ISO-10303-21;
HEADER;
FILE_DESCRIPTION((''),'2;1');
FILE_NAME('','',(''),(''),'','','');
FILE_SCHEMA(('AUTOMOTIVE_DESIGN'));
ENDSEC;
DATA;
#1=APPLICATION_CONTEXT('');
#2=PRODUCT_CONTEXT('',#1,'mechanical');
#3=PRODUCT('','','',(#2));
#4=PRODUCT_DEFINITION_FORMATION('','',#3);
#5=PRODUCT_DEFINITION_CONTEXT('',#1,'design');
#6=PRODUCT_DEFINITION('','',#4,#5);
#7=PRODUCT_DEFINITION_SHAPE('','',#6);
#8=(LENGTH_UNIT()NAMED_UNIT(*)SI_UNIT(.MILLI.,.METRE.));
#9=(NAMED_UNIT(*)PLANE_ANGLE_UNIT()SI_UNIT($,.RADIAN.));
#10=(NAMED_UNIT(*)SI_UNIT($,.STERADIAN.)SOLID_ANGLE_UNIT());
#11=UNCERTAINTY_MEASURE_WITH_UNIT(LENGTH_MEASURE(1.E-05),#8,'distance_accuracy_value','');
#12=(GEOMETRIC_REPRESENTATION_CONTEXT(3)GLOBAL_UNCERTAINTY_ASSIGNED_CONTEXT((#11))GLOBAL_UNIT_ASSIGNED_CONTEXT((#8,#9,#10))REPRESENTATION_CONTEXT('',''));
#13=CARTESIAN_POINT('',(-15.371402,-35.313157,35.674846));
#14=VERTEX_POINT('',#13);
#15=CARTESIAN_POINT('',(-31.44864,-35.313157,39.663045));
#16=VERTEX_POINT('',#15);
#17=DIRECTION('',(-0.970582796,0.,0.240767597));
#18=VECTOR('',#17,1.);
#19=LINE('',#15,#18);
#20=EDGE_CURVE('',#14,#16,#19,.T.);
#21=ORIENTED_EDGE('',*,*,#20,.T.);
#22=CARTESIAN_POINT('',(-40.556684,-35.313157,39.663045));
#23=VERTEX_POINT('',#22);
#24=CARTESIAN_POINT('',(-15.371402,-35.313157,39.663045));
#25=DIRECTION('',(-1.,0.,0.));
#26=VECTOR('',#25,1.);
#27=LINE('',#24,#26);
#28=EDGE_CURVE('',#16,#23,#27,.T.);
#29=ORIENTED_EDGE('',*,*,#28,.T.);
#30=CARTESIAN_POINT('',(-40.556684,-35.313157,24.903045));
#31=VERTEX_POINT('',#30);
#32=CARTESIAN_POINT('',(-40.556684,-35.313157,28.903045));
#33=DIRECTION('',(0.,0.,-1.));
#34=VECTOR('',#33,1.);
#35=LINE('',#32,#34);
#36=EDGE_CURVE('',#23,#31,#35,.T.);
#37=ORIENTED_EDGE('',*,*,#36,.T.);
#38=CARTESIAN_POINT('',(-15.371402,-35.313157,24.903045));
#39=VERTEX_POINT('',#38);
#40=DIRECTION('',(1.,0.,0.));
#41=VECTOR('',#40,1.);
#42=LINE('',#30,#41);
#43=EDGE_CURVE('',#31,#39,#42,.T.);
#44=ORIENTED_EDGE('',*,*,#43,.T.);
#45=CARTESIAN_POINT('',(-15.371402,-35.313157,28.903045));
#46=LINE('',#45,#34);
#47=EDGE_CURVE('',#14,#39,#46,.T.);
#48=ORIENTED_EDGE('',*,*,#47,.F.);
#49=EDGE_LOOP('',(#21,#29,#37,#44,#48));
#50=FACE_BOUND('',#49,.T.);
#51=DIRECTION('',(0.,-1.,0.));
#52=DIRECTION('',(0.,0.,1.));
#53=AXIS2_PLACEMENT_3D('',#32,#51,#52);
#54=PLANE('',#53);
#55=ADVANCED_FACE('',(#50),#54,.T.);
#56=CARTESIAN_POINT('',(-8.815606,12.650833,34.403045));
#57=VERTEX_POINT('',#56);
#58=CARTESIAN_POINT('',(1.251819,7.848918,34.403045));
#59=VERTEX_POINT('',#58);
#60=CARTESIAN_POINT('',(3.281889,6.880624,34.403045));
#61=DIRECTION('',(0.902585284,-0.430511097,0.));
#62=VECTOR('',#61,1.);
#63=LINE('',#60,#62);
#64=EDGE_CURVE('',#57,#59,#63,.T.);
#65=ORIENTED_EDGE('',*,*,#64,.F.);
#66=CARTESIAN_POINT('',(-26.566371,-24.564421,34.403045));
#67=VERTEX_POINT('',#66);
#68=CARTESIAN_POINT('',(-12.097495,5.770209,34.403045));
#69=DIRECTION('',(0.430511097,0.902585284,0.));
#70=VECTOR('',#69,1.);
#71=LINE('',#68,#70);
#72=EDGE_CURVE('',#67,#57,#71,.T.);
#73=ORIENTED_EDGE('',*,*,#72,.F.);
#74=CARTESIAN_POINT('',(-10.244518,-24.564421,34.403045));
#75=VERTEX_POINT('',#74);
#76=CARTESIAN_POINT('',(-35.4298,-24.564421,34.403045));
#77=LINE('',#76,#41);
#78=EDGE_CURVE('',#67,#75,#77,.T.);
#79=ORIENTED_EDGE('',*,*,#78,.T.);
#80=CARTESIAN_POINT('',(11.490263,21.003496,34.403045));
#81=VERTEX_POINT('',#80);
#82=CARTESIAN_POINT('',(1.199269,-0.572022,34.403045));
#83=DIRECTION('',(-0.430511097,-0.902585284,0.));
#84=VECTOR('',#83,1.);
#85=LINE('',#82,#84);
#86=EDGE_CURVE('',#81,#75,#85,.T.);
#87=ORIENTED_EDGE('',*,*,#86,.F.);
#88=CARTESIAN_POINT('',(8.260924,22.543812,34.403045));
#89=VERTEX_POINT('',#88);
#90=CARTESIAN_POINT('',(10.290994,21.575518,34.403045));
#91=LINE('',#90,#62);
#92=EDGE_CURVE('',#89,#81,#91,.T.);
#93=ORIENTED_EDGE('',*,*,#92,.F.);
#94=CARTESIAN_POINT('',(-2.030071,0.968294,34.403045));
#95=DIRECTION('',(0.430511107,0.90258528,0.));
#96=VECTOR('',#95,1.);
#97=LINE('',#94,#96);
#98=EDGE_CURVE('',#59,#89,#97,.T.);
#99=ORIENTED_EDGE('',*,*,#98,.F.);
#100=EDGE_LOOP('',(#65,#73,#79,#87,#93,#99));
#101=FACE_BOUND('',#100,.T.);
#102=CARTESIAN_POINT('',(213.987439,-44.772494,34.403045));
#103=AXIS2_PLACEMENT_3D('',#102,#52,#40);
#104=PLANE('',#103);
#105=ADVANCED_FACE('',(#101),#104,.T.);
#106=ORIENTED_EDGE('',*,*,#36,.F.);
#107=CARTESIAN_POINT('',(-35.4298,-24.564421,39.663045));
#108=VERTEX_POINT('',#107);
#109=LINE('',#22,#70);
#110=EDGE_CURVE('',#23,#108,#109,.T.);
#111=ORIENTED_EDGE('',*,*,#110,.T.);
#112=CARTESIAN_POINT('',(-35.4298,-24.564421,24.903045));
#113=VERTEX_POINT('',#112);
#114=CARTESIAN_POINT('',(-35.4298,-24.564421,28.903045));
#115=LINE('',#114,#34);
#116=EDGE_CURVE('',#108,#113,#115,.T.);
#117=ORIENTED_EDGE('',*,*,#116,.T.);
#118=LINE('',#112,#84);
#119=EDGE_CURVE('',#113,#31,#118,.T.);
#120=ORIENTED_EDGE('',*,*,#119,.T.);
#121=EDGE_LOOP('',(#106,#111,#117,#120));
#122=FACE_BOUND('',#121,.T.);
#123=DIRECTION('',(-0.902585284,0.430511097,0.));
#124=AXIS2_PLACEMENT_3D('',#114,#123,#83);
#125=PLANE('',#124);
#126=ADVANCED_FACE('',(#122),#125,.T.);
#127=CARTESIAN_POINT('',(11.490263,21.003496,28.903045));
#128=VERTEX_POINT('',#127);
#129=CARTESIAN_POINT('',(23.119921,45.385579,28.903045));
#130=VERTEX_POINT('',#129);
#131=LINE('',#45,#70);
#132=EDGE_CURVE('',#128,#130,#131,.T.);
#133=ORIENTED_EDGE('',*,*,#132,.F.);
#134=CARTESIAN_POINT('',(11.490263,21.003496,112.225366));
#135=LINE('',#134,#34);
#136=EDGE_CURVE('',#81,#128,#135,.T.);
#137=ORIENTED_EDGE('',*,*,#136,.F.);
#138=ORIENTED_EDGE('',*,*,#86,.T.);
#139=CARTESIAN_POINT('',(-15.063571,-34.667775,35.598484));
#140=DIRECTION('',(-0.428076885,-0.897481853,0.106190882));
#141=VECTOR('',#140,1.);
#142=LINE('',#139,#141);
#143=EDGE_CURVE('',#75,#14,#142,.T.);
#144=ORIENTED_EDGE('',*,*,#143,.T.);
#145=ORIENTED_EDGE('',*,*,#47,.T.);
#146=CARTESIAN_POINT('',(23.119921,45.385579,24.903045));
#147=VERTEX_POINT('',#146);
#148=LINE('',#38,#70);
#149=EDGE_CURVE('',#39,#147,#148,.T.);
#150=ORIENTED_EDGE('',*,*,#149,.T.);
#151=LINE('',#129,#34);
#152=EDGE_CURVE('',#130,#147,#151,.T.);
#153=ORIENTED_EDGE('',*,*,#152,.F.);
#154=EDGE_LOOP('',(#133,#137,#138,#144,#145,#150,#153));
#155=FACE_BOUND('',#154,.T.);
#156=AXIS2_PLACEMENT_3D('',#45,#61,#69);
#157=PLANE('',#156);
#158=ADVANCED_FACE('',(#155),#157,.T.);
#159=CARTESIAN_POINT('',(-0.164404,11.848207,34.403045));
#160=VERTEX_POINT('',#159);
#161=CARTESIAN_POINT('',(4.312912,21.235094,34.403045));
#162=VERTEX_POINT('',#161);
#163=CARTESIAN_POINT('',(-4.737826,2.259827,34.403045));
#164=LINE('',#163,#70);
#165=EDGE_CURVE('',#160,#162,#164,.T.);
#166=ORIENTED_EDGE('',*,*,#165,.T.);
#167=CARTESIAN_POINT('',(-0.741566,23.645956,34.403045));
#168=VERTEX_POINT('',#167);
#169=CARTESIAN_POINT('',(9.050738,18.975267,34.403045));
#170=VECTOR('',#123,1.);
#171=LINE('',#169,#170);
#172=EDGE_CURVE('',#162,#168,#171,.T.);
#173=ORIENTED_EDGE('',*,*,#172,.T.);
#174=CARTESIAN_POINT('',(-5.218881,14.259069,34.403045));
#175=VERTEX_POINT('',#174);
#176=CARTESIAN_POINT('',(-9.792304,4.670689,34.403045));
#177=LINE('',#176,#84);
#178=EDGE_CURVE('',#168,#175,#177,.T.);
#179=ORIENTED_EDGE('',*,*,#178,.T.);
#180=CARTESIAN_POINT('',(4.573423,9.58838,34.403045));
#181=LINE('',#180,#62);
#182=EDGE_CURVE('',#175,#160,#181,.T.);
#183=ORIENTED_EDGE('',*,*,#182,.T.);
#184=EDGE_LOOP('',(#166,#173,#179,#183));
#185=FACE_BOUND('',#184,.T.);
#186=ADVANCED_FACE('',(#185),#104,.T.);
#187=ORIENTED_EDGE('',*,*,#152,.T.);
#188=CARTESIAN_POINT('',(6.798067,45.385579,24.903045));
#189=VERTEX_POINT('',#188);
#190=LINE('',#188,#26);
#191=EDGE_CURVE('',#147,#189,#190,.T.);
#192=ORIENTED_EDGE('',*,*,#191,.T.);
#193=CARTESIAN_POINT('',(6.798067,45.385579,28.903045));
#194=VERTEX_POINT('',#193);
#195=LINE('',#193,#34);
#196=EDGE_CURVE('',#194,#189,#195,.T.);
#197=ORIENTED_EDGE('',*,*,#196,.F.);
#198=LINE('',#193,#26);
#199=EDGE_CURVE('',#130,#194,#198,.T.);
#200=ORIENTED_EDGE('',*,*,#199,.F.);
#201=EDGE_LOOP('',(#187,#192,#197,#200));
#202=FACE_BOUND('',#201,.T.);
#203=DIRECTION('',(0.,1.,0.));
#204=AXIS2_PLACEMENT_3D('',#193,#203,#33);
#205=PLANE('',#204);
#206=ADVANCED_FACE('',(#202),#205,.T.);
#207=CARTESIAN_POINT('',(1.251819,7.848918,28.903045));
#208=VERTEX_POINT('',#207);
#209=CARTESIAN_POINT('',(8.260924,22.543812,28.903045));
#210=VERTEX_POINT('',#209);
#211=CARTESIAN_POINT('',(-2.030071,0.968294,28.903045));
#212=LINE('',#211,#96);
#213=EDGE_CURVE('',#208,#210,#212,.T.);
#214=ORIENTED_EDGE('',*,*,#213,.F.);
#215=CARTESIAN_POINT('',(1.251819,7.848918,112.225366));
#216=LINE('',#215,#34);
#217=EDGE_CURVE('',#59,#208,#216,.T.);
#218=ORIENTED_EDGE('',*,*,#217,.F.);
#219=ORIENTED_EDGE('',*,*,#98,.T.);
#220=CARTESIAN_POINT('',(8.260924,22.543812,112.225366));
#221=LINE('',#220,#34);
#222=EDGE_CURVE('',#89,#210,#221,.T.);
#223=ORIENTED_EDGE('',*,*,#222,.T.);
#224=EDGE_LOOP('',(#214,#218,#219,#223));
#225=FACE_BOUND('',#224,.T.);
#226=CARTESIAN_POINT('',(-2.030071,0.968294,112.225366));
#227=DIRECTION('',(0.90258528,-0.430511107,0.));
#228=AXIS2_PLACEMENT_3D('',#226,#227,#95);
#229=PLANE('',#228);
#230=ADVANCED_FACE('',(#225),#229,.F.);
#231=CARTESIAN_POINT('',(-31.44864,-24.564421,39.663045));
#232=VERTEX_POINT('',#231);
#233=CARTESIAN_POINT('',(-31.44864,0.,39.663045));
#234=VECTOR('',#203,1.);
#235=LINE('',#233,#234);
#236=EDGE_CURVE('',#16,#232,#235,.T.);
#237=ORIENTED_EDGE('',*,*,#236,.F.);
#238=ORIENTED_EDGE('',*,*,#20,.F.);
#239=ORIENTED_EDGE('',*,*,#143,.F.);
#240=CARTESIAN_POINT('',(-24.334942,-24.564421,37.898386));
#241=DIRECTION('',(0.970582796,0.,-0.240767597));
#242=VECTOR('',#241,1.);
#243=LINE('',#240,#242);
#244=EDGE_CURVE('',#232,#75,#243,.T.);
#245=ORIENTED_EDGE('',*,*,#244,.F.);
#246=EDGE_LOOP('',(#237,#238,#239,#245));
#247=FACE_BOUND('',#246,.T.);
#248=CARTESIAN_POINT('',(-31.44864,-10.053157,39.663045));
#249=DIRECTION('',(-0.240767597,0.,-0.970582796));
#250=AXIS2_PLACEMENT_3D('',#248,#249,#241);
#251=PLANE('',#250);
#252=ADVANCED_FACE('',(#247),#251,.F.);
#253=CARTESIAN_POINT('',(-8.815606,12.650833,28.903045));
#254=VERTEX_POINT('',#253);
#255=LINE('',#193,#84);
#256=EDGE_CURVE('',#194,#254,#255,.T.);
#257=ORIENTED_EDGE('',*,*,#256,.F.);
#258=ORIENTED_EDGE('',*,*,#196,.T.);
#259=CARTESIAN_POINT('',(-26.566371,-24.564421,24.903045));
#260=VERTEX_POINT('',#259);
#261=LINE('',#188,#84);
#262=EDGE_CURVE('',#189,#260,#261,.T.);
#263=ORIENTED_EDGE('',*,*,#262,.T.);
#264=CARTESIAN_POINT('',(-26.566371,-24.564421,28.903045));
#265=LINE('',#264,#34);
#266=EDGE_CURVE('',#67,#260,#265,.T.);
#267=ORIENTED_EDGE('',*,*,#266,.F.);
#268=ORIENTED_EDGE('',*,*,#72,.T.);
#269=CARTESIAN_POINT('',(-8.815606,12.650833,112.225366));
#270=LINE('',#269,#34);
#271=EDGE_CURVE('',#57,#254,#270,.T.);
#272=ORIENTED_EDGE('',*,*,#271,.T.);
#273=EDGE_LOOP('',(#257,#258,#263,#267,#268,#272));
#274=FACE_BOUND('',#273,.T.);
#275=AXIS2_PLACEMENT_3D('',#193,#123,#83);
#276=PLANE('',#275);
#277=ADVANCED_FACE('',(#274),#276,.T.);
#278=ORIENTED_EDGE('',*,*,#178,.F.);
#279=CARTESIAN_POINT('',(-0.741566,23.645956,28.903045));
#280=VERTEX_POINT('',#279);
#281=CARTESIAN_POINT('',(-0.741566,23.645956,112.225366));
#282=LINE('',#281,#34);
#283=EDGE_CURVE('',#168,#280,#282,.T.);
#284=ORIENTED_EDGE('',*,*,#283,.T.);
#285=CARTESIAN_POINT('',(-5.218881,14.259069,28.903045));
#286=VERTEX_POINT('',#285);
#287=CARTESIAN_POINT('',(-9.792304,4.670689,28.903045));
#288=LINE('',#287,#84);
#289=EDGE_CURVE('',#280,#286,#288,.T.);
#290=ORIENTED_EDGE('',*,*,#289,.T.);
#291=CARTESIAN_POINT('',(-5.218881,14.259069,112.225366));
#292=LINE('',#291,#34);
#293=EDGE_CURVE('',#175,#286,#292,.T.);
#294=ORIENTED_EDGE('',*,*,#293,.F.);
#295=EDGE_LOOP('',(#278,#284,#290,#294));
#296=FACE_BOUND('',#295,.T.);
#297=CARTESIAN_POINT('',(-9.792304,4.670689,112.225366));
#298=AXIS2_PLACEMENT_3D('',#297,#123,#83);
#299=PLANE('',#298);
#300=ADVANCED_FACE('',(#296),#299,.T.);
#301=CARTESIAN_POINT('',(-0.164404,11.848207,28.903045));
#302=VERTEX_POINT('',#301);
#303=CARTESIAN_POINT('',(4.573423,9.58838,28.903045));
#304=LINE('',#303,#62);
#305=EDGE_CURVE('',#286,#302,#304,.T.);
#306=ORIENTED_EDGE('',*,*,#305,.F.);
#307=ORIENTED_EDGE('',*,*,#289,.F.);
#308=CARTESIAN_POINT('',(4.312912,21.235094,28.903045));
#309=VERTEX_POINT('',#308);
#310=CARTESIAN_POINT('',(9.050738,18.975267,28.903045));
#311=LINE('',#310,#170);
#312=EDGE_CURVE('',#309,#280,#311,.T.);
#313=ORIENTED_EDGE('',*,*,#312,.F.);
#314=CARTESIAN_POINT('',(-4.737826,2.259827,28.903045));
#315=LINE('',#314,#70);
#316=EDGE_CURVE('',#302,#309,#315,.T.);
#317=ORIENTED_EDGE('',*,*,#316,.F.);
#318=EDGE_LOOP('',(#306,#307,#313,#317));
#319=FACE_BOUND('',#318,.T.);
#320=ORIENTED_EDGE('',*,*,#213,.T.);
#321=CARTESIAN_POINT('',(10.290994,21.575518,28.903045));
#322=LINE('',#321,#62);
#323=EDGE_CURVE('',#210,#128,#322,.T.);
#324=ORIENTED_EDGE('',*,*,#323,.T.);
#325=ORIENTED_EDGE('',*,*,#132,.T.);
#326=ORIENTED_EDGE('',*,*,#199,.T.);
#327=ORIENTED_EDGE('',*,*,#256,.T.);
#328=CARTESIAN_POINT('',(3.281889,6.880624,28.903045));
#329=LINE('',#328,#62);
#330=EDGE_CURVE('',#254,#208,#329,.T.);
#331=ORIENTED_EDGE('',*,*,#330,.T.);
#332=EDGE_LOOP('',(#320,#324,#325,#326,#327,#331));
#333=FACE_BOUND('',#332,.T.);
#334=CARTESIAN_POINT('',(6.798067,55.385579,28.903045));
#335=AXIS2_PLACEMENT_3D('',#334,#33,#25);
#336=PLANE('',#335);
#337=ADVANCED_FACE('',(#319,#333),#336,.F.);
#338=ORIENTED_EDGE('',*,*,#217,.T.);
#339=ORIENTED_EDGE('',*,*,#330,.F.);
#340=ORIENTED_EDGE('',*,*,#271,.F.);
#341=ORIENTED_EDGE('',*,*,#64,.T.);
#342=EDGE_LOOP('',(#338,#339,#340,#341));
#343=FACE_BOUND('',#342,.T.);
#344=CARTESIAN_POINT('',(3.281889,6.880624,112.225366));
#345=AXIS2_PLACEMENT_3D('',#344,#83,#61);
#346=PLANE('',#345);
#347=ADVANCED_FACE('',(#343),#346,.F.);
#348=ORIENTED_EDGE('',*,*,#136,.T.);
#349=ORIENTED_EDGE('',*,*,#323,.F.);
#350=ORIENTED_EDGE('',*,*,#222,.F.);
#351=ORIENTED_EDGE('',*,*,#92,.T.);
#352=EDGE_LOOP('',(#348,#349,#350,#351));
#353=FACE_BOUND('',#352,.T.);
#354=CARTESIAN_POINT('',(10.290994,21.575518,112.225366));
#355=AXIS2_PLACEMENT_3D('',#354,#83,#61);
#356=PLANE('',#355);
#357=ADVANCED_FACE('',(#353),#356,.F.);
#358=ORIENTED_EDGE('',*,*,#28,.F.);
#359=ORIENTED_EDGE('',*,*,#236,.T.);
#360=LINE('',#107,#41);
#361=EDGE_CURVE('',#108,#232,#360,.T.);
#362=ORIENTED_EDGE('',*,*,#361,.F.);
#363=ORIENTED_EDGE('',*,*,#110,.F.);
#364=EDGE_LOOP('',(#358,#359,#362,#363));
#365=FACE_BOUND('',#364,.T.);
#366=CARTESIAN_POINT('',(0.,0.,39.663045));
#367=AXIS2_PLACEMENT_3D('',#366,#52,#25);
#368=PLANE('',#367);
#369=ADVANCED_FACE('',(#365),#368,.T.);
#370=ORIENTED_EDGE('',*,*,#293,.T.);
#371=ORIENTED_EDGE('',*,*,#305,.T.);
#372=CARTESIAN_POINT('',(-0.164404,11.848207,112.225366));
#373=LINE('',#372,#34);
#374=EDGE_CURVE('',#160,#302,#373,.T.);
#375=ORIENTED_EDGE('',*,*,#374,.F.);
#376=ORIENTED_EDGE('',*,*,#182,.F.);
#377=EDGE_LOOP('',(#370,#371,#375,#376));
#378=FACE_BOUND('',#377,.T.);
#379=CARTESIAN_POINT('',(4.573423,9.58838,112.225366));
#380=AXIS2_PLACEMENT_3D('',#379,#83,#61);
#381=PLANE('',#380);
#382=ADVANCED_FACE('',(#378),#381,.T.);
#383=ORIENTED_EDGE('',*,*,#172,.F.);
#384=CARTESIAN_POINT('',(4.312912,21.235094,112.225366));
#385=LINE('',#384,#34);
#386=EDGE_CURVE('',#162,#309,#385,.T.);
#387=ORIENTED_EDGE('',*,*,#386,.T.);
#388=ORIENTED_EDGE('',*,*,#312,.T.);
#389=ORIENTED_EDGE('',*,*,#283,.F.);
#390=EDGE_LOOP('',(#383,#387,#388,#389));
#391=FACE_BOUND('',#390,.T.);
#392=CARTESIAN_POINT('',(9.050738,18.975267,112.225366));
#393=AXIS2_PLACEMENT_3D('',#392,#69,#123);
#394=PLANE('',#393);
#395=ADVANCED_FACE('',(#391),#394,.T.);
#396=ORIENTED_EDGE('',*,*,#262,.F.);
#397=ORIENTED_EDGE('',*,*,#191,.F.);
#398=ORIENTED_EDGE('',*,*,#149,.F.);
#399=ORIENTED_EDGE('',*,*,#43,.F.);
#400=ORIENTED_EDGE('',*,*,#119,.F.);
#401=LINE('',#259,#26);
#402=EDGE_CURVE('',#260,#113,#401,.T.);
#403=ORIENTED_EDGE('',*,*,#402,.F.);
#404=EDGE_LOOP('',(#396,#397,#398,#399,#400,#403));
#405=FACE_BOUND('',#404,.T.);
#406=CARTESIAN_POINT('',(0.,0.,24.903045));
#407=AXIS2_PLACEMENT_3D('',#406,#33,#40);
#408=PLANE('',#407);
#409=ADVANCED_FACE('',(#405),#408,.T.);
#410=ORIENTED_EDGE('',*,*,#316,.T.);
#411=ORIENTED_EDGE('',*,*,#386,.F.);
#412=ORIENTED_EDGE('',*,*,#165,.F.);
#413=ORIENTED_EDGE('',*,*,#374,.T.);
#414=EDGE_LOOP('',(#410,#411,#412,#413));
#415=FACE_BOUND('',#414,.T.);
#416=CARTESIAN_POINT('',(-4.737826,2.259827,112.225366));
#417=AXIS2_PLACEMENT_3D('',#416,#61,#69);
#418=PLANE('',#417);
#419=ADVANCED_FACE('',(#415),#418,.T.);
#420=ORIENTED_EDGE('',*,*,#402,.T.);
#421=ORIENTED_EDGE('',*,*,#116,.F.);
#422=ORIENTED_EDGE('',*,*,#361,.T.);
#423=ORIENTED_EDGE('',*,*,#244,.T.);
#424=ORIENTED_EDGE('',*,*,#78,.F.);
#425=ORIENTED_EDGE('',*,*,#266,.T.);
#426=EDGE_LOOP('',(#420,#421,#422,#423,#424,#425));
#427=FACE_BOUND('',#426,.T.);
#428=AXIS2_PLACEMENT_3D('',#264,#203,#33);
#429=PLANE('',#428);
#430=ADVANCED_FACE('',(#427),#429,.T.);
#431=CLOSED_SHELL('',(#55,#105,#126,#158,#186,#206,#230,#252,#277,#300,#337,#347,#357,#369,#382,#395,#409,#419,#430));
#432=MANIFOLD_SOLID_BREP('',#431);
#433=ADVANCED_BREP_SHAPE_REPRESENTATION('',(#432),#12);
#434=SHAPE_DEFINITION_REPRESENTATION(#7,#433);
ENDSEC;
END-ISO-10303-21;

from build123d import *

# Parameters (mm, degrees)
BOSS_EXTRUDE1_DEPTH = 4
BOSS_EXTRUDE2_DEPTH = 5.5
BOSS_EXTRUDE3_DEPTH = 5.26
CUT_EXTRUDE1_DEPTH  = 25.26
SKETCH5_W           = 16.298124665
SKETCH5_H           = 32.903045357
BOSS_EXTRUDE4_DEPTH = 10
SKETCH6_W           = 73.83328153
SKETCH6_H           = 41.567802575
CUT_EXTRUDE2_DEPTH  = 120
SKETCH7_W           = 16.298124665
SKETCH7_H           = 10
CUT_EXTRUDE3_DEPTH  = 120


with BuildPart() as part:
    # Sketch1 → Boss-Extrude1 (new body)
    with BuildSketch(Plane.XY):
        Polygon((6.798067323, 45.385579117), (-26.566371189, -24.564420883), (-35.429799542, -24.564420883), (-40.556683823, -35.313157307), (-15.371402202, -35.313157307), (23.119920592, 45.385579117), align=None)
    boss_extrude1 = extrude(amount=-BOSS_EXTRUDE1_DEPTH)

    # Sketch2 → Boss-Extrude2 (add)
    with BuildSketch(Plane(origin=(0, 0, -4), x_dir=(-1, 0, 0), z_dir=(0, 0, -1))):
        Polygon((5.218881417, 14.259069333), (0.74156601, 23.645956291), (-4.312911582, 21.235094148), (0.164403825, 11.848207191), align=None)
        Polygon((40.556683823, -35.313157307), (35.429799542, -24.564420883), (26.566371189, -24.564420883), (8.815605583, 12.650833126), (-1.251818738, 7.848918048), (-8.260923666, 22.543811707), (-11.490263359, 21.003495686), (15.371402202, -35.313157307), align=None)
    boss_extrude2 = extrude(amount=BOSS_EXTRUDE2_DEPTH)

    # Sketch3 → Boss-Extrude3 (add)
    with BuildSketch(Plane(origin=(0, 0, -9.5), x_dir=(-1, 0, 0), z_dir=(0, 0, -1))):
        Polygon((40.556683823, -35.313157307), (35.429799542, -24.564420883), (10.244517921, -24.564420883), (15.371402202, -35.313157307), align=None)
    boss_extrude3 = extrude(amount=BOSS_EXTRUDE3_DEPTH)

    # Sketch4 → Cut-Extrude1 (cut)
    with BuildSketch(Plane.XZ.offset(35.313157307)):
        Polygon((-31.448639935, -14.76), (-10.244517921, -9.5), (-10.244517921, -14.76), align=None)
    cut_extrude1 = extrude(amount=-CUT_EXTRUDE1_DEPTH, mode=Mode.SUBTRACT)


with BuildPart() as body_2:
    # Sketch5 → Boss-Extrude4 (new body)
    with BuildSketch(Plane(origin=(0, 45.385579117, 0), x_dir=(1, 0, 0), z_dir=(0, 1, 0))):
        with Locations((14.947129656, -12.451522679)):
            Rectangle(SKETCH5_W, SKETCH5_H)
    extrude(amount=BOSS_EXTRUDE4_DEPTH)

    # Mirror8: Boss-Extrude1, Boss-Extrude2, Boss-Extrude3, Cut-Extrude1 across plane
    add(boss_extrude1.mirror(Plane.XY.offset(12.451522678)))
    add(boss_extrude2.mirror(Plane.XY.offset(12.451522678)))
    add(boss_extrude3.mirror(Plane.XY.offset(12.451522678)))
    add(cut_extrude1.mirror(Plane.XY.offset(12.451522678)), mode=Mode.SUBTRACT)


with BuildPart() as cut_extrude2_tool:
    # Sketch6 → Cut-Extrude2 (new body)
    with BuildSketch(Plane.XZ.offset(35.313157307)):
        with Locations((-3.640043058, 4.119144069)):
            Rectangle(SKETCH6_W, SKETCH6_H)
    extrude(amount=-CUT_EXTRUDE2_DEPTH)


with BuildPart() as part_1:
    add(part.part)

    # Cut-Extrude2: cut by cut_extrude2_tool
    add(cut_extrude2_tool.part, mode=Mode.SUBTRACT)


with BuildPart() as body_2_1:
    add(body_2.part)

    # Cut-Extrude2: cut by cut_extrude2_tool
    add(cut_extrude2_tool.part, mode=Mode.SUBTRACT)

    # Sketch7 → Cut-Extrude3 (cut)
    with BuildSketch(Plane.XY.offset(28.903045357)):
        with Locations((14.947129656, 50.385579117)):
            Rectangle(SKETCH7_W, SKETCH7_H)
    extrude(amount=-CUT_EXTRUDE3_DEPTH, mode=Mode.SUBTRACT)


solid = body_2_1.part
